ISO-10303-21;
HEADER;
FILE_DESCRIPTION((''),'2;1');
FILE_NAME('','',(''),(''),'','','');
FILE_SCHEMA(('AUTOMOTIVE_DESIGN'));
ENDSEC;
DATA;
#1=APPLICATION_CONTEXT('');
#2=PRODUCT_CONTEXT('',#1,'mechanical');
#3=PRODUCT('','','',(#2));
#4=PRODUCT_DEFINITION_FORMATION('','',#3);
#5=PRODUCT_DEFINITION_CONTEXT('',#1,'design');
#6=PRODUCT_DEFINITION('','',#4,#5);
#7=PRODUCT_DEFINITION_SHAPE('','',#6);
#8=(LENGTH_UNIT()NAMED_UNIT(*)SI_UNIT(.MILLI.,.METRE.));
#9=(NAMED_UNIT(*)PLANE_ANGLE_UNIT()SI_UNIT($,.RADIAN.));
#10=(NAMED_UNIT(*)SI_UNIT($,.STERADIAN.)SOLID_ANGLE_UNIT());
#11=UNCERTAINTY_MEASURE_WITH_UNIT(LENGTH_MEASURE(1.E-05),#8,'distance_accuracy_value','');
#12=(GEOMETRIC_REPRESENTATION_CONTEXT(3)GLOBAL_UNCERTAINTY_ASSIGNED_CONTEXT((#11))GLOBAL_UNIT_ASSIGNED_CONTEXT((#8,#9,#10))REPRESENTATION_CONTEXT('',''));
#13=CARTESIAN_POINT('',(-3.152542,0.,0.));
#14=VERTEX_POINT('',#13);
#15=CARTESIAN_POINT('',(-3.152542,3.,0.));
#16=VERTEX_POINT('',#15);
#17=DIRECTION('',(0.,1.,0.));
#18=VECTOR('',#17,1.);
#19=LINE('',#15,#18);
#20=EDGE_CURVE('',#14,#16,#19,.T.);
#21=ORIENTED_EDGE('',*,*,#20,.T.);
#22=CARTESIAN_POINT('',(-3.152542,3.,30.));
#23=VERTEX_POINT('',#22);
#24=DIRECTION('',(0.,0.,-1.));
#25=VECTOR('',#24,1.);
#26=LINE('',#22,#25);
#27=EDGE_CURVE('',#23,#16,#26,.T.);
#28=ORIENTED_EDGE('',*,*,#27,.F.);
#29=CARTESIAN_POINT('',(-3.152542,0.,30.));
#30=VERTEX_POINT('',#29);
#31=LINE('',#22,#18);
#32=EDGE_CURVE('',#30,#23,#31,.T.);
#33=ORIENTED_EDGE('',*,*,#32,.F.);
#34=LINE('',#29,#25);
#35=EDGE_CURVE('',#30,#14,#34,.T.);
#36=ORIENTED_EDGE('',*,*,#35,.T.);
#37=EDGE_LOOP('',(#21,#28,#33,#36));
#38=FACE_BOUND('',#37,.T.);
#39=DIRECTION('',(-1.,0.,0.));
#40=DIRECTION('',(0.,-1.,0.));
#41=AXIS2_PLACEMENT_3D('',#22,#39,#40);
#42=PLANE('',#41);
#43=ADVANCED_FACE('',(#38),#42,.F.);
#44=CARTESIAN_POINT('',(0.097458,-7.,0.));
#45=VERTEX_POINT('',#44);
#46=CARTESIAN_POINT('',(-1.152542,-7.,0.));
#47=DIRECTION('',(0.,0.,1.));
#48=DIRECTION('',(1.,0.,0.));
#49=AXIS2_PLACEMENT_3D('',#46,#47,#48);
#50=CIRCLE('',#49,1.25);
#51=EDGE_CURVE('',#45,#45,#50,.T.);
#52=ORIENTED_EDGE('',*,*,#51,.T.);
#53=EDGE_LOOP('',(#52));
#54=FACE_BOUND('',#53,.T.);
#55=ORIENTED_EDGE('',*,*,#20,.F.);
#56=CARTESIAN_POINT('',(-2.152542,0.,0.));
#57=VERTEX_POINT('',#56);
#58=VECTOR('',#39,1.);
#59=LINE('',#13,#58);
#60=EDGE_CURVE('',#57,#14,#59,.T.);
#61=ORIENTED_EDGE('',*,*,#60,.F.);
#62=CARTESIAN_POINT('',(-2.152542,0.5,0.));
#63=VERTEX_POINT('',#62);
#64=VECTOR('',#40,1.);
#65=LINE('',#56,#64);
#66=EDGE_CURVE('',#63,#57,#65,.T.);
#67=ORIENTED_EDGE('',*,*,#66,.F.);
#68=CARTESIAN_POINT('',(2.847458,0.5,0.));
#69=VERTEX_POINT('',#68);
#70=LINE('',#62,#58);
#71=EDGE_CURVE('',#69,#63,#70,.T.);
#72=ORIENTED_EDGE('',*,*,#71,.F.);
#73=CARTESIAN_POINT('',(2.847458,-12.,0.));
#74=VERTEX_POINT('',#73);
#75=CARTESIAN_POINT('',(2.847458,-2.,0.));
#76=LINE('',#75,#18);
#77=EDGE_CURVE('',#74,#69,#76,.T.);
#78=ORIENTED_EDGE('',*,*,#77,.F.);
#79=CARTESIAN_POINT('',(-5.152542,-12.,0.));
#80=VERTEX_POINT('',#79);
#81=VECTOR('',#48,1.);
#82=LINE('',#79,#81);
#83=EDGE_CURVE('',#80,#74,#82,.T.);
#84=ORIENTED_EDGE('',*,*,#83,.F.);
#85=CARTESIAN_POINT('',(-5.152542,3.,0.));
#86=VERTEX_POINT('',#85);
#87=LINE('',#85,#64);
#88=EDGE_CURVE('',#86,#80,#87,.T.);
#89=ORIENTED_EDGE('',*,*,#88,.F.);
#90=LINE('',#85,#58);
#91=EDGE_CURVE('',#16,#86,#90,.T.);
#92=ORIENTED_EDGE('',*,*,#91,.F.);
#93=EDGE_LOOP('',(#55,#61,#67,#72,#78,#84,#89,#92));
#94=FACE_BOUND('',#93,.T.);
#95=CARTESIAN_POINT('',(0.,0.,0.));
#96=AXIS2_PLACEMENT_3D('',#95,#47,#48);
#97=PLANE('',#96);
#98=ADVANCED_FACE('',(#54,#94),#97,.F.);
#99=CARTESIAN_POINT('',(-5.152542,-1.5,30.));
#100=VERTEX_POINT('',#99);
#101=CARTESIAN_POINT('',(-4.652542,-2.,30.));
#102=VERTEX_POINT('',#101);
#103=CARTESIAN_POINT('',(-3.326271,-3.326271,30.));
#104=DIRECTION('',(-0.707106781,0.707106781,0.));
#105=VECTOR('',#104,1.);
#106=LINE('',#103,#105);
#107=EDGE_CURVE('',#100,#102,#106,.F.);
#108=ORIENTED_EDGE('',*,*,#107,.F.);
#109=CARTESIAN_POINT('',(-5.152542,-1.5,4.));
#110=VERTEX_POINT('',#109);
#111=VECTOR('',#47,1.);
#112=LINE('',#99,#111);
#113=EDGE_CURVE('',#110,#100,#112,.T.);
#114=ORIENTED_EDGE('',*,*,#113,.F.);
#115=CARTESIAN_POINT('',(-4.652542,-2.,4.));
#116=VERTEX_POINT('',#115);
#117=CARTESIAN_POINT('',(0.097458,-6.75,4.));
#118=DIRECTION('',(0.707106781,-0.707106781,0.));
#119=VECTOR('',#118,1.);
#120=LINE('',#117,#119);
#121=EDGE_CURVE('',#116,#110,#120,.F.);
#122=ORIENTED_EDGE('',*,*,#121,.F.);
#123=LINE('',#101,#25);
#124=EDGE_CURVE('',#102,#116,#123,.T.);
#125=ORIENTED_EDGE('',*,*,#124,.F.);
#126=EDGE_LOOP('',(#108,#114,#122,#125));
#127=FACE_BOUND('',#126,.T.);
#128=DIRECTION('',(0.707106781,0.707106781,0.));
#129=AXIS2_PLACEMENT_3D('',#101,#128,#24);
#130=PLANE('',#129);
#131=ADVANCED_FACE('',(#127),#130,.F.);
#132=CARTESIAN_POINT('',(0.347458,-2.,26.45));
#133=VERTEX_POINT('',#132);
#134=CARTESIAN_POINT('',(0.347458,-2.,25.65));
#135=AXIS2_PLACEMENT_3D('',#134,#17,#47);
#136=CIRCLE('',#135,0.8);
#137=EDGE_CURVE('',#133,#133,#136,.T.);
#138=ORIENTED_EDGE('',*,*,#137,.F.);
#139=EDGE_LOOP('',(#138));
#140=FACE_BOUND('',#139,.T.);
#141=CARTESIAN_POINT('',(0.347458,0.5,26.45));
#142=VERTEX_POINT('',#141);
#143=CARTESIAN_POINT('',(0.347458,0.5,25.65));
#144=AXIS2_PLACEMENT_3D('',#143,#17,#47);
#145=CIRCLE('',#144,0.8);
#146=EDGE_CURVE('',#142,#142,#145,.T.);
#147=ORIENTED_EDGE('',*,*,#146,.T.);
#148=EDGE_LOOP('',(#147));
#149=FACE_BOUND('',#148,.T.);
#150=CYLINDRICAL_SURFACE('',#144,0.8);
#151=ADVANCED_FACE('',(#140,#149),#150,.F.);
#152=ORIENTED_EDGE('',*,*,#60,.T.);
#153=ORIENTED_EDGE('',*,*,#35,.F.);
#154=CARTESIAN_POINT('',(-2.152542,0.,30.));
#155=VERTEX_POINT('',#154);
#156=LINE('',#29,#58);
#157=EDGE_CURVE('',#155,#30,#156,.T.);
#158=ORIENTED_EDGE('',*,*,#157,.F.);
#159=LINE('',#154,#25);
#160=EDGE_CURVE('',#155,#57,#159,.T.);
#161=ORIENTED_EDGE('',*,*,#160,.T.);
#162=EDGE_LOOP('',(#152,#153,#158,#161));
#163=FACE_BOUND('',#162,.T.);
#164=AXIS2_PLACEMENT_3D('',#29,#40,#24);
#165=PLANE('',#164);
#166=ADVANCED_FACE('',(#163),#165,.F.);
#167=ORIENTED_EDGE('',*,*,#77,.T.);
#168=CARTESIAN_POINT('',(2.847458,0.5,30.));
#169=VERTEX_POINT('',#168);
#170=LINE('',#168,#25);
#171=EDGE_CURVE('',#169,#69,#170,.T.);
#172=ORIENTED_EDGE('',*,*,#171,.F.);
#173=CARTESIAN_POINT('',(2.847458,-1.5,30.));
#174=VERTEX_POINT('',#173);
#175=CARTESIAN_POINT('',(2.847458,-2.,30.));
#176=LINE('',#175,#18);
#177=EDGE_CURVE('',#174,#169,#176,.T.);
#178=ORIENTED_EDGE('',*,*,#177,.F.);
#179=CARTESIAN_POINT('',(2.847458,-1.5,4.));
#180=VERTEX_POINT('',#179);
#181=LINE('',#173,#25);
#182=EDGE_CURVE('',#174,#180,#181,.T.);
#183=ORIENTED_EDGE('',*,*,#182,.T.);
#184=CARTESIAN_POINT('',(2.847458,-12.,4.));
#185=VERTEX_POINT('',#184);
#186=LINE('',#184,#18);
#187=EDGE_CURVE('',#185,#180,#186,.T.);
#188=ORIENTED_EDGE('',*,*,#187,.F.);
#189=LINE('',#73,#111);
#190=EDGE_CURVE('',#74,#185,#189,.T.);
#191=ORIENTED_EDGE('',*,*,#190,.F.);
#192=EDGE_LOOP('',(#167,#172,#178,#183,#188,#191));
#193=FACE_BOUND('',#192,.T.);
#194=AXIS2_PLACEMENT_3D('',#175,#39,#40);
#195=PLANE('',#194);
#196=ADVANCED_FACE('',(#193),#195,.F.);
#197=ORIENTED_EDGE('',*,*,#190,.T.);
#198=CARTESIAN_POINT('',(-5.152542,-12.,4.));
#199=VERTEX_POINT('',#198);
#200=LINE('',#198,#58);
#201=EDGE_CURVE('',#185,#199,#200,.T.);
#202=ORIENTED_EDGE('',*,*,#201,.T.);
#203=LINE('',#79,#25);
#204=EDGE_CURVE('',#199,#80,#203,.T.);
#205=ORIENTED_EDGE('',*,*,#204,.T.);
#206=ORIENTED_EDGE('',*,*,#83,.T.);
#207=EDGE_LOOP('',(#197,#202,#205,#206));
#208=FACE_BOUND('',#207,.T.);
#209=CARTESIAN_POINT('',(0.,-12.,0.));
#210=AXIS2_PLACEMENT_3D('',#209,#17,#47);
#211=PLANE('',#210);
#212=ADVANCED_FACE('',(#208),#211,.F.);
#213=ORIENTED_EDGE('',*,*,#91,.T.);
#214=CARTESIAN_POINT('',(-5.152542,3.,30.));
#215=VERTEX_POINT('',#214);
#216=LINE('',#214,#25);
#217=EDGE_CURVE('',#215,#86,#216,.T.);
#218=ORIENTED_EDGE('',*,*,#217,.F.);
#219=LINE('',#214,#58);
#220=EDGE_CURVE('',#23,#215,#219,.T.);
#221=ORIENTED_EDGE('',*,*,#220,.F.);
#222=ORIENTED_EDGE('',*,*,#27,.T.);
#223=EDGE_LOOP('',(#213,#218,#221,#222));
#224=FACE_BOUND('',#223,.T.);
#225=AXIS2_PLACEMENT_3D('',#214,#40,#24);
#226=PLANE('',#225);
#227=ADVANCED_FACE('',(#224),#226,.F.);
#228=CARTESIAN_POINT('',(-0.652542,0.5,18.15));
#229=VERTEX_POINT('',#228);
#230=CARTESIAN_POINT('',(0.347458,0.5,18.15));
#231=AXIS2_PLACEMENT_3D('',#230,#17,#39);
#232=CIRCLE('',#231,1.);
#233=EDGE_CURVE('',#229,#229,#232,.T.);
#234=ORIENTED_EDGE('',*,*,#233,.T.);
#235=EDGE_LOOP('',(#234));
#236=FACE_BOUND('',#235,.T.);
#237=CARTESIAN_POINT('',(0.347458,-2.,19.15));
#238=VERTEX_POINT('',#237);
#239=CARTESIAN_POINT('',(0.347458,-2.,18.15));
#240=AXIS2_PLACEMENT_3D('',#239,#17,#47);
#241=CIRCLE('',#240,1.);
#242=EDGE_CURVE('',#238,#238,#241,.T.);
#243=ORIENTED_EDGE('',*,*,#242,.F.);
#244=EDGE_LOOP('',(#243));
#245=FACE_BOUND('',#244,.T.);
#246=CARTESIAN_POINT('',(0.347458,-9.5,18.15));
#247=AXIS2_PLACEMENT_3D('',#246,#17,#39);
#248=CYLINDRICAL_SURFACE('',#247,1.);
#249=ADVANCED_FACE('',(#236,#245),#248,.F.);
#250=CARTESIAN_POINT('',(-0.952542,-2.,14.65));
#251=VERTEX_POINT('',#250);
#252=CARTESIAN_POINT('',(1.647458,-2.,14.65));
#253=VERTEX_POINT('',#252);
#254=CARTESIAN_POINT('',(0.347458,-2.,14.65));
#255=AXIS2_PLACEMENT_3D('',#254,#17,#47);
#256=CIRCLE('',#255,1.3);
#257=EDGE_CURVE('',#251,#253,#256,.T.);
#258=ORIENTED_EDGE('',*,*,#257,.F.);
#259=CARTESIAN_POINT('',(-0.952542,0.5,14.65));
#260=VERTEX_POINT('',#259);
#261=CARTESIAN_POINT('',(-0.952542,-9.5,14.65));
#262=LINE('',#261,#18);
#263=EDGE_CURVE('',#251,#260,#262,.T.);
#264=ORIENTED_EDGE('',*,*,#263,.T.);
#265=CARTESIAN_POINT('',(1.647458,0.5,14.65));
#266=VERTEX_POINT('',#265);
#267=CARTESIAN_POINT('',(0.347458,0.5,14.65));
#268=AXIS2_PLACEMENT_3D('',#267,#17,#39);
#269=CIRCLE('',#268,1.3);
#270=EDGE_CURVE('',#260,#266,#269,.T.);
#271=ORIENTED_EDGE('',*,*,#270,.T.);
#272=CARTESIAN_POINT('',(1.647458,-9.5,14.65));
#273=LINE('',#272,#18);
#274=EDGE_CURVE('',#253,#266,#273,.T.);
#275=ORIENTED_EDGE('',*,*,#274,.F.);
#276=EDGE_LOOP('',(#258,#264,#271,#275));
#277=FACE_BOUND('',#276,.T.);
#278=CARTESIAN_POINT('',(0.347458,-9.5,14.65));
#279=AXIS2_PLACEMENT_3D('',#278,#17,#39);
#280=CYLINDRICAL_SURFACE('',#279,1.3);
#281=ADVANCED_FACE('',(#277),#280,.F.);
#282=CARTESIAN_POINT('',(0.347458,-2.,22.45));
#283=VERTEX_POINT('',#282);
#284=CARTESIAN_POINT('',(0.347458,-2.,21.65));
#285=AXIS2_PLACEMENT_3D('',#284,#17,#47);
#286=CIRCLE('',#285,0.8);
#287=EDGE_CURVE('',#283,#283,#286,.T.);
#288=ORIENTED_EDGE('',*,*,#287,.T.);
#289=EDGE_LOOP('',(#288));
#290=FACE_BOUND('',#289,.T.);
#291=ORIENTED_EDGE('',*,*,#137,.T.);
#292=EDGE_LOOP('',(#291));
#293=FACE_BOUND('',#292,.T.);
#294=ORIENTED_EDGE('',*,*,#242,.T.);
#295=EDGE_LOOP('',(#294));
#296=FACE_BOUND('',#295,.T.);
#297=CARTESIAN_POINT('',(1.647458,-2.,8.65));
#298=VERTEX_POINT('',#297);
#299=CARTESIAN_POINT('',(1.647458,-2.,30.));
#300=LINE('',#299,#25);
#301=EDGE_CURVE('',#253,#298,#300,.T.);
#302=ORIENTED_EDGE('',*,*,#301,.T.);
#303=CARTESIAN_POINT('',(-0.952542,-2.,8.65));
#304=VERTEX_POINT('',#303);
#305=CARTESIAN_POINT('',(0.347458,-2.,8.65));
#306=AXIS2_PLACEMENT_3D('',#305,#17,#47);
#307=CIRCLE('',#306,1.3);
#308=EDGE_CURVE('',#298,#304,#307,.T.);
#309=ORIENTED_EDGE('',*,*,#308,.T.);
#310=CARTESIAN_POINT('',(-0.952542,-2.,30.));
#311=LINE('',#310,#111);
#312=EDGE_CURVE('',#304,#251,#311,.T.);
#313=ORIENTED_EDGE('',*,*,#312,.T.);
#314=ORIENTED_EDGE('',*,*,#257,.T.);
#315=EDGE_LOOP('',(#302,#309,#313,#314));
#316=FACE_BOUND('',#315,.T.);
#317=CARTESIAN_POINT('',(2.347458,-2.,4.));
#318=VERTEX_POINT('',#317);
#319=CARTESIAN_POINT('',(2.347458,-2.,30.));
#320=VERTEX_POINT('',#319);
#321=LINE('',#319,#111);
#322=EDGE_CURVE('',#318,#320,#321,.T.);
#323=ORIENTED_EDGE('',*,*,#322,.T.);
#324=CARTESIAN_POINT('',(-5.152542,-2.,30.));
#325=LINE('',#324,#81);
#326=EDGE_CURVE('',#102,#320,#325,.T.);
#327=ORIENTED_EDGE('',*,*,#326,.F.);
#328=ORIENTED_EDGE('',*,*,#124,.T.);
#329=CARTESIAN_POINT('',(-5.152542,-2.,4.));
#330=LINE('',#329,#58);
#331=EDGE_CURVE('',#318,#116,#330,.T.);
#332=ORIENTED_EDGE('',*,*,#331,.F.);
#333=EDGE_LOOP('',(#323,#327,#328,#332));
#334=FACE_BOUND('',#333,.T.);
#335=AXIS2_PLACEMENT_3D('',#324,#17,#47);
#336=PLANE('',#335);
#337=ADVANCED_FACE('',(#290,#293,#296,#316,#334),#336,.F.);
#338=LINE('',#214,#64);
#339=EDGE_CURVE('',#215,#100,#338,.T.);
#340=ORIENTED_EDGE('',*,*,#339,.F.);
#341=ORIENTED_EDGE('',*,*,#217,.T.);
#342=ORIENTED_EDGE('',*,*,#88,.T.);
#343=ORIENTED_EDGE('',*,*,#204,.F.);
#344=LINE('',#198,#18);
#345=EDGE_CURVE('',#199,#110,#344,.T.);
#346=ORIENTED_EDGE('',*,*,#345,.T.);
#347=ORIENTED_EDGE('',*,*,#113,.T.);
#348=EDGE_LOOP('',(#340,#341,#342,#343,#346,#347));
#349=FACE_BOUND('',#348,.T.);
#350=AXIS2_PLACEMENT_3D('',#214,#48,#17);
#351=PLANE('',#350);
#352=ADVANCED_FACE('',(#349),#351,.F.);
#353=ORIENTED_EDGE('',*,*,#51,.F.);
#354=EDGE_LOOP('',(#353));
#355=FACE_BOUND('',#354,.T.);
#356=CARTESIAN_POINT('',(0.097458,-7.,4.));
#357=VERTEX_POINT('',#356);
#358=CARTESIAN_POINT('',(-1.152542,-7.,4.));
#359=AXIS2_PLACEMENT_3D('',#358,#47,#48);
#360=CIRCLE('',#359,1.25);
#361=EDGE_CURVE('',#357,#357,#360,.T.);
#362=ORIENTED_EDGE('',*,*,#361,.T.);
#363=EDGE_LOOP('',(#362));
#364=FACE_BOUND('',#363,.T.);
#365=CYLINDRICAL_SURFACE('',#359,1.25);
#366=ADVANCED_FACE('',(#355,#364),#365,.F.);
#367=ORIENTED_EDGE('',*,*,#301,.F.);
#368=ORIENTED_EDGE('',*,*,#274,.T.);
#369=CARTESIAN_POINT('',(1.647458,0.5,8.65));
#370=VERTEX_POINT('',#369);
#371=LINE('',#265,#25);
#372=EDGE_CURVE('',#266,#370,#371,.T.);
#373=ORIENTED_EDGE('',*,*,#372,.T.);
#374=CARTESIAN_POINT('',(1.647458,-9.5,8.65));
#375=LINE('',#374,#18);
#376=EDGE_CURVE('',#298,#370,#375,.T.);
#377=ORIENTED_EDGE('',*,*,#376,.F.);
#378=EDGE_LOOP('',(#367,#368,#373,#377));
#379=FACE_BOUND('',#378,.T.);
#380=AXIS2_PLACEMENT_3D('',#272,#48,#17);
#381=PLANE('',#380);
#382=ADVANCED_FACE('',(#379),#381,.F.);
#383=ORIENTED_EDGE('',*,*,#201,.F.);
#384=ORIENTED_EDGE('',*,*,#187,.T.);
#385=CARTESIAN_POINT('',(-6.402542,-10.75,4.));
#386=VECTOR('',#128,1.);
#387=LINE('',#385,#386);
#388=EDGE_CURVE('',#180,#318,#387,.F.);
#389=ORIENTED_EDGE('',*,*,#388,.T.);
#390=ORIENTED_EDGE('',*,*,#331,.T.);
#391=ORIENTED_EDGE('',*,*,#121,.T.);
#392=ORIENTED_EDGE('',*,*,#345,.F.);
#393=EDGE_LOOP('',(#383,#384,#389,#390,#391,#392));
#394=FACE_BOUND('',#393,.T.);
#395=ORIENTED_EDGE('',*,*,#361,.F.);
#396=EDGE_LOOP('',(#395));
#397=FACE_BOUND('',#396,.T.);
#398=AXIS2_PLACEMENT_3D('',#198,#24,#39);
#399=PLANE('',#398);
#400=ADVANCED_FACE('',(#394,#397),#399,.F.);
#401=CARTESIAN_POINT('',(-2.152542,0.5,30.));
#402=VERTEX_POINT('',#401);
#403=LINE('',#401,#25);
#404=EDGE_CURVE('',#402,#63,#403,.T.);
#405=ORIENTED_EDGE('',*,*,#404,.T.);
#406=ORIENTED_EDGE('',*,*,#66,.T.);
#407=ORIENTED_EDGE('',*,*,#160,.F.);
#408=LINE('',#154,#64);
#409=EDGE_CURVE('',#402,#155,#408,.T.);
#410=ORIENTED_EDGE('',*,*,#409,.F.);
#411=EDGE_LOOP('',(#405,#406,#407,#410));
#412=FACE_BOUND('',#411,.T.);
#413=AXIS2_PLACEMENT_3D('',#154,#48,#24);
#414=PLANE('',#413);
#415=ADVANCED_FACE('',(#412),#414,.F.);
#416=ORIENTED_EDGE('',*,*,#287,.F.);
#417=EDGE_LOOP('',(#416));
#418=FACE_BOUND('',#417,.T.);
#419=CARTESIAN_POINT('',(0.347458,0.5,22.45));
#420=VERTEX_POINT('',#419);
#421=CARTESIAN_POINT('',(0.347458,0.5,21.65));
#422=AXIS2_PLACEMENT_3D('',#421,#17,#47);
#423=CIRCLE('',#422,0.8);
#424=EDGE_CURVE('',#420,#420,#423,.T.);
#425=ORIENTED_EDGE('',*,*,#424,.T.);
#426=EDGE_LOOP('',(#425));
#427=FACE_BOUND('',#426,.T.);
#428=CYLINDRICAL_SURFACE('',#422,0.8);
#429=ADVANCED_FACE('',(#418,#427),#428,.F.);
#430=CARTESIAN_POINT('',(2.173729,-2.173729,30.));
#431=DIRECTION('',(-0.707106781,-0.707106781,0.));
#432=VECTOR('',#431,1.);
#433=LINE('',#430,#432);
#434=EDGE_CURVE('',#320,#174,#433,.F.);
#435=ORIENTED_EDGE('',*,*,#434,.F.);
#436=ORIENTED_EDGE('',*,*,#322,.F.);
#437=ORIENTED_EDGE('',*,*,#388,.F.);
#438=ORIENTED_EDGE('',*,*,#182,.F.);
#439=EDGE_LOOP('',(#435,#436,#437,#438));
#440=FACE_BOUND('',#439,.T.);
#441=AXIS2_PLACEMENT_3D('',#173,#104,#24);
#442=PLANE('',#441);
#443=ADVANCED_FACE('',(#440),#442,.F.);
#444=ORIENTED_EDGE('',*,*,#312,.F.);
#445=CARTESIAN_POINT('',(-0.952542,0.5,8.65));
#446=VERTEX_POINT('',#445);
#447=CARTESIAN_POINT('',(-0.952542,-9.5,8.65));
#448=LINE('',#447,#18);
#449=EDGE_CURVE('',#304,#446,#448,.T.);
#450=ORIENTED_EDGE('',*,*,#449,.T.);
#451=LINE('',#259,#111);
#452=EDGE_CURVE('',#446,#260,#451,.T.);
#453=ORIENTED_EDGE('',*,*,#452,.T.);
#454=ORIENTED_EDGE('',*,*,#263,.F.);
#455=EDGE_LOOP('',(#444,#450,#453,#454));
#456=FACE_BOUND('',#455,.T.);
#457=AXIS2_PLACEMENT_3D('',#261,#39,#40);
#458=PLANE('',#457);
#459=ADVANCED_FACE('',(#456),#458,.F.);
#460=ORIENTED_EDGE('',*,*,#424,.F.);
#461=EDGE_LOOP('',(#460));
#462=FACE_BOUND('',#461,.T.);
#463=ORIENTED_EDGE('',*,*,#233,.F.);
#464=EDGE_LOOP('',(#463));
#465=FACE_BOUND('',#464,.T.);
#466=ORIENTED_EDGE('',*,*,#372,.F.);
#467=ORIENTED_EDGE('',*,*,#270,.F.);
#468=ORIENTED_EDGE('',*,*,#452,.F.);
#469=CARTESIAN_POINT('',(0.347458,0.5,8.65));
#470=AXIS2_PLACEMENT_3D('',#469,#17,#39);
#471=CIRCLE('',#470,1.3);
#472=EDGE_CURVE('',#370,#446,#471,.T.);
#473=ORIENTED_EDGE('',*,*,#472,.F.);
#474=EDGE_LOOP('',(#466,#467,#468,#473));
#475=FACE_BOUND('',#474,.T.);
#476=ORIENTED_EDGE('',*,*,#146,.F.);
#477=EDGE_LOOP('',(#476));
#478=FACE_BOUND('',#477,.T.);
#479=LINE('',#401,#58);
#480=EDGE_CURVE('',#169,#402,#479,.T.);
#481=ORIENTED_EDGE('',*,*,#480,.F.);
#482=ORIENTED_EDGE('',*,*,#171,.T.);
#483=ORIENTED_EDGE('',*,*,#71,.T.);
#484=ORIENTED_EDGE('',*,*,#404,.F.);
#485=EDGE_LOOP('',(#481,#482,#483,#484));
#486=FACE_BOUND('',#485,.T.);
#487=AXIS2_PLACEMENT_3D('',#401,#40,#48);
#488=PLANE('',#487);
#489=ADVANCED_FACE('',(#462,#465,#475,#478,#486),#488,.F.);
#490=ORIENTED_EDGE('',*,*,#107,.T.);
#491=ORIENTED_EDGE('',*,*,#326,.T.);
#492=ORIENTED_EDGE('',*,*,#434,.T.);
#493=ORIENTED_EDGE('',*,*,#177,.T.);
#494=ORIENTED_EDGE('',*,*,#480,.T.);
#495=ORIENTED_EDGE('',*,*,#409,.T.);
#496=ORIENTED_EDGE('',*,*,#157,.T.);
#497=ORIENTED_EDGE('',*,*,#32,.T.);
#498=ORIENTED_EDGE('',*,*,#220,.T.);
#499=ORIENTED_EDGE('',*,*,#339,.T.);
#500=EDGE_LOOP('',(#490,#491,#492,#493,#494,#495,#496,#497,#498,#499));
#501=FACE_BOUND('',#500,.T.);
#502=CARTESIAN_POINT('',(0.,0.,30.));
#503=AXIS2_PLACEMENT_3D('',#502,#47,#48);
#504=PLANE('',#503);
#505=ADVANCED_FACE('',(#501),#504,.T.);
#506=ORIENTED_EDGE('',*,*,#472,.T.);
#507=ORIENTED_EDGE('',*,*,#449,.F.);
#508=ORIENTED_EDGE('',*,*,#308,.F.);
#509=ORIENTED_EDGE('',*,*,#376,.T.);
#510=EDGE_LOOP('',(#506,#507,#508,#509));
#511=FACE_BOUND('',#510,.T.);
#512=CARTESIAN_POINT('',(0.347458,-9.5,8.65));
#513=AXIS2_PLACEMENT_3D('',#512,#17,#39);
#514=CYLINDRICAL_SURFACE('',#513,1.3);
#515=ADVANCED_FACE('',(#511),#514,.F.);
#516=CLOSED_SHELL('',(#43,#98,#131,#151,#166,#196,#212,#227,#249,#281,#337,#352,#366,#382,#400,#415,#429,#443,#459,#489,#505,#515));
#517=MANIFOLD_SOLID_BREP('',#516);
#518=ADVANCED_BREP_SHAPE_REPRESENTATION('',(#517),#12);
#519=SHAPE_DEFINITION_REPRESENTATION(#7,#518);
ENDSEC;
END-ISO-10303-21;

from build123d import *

# Parameters (mm, degrees)
BOSS_EXTRUDE1_DEPTH   = 30
SKETCH2_W             = 8
SKETCH2_H             = 4
BOSS_EXTRUDE2_DEPTH   = 10
SKETCH3_R             = 1
CUT_EXTRUDE1_DEPTH    = 10
M2_TAPPED_HOLE1_D     = 1.6
M2_TAPPED_HOLE1_DEPTH = 5.2
M2_TAPPED_HOLE1_TIP   = 0.480688495
M3_TAPPED_HOLE1_D     = 2.5
M3_TAPPED_HOLE1_DEPTH = 7.5
M3_TAPPED_HOLE1_TIP   = 0.751075774
CHAMFER1_SIZE         = 0.5


with BuildPart() as part:
    # Sketch1 → Boss-Extrude1 (new body)
    with BuildSketch(Plane.XY):
        Polygon((-5.152542373, 3), (-3.152542373, 3), (-3.152542373, 0), (-2.152542373, 0), (-2.152542373, 0.5), (2.847457627, 0.5), (2.847457627, -2), (-5.152542373, -2), align=None)
    extrude(amount=BOSS_EXTRUDE1_DEPTH)

    # Sketch2 → Boss-Extrude2 (add)
    with BuildSketch(Plane.XZ.offset(2)):
        with Locations((-1.152542373, 2)):
            Rectangle(SKETCH2_W, SKETCH2_H)
    extrude(amount=BOSS_EXTRUDE2_DEPTH)

    # Sketch3 → Cut-Extrude1 (cut)
    with BuildSketch(Plane(origin=(0, 0.5, 0), x_dir=(1, 0, 0), z_dir=(0, 1, 0))):
        with Locations((0.347457627, -18.15)):
            Circle(SKETCH3_R)
        with BuildLine():
            Line((-0.952542373, -14.65), (-0.952542373, -8.65))
            ThreePointArc((-0.952542373, -8.65), (0.347457627, -7.35), (1.647457627, -8.65))
            Line((1.647457627, -8.65), (1.647457627, -14.65))
            ThreePointArc((1.647457627, -14.65), (0.347457627, -15.95), (-0.952542373, -14.65))
        make_face()
    extrude(amount=-CUT_EXTRUDE1_DEPTH, mode=Mode.SUBTRACT)

    # M2 Tapped Hole1
    with Locations(Plane(origin=(0, 0.5, 0), x_dir=(1, 0, 0), z_dir=(0, 1, 0))):
        with Locations((0.347457627, -21.65), (0.347457627, -25.65)):
            Hole(M2_TAPPED_HOLE1_D / 2, depth=M2_TAPPED_HOLE1_DEPTH)
            with Locations((0, 0, -(M2_TAPPED_HOLE1_DEPTH + M2_TAPPED_HOLE1_TIP / 2))):  # 118° drill point
                Cone(0, M2_TAPPED_HOLE1_D / 2, M2_TAPPED_HOLE1_TIP, mode=Mode.SUBTRACT)

    # M3 Tapped Hole1
    with Locations(Plane.XY.offset(4)):
        with Locations((-1.152542373, -7)):
            Hole(M3_TAPPED_HOLE1_D / 2, depth=M3_TAPPED_HOLE1_DEPTH)
            with Locations((0, 0, -(M3_TAPPED_HOLE1_DEPTH + M3_TAPPED_HOLE1_TIP / 2))):  # 118° drill point
                Cone(0, M3_TAPPED_HOLE1_D / 2, M3_TAPPED_HOLE1_TIP, mode=Mode.SUBTRACT)

    # Chamfer1
    chamfer1_edges = [part.edges().sort_by_distance(p)[0] for p in [
        (2.847457627, -2, 17),
        (-5.152542373, -2, 17),
    ]]
    chamfer(chamfer1_edges, length=CHAMFER1_SIZE)


solid = part.part
